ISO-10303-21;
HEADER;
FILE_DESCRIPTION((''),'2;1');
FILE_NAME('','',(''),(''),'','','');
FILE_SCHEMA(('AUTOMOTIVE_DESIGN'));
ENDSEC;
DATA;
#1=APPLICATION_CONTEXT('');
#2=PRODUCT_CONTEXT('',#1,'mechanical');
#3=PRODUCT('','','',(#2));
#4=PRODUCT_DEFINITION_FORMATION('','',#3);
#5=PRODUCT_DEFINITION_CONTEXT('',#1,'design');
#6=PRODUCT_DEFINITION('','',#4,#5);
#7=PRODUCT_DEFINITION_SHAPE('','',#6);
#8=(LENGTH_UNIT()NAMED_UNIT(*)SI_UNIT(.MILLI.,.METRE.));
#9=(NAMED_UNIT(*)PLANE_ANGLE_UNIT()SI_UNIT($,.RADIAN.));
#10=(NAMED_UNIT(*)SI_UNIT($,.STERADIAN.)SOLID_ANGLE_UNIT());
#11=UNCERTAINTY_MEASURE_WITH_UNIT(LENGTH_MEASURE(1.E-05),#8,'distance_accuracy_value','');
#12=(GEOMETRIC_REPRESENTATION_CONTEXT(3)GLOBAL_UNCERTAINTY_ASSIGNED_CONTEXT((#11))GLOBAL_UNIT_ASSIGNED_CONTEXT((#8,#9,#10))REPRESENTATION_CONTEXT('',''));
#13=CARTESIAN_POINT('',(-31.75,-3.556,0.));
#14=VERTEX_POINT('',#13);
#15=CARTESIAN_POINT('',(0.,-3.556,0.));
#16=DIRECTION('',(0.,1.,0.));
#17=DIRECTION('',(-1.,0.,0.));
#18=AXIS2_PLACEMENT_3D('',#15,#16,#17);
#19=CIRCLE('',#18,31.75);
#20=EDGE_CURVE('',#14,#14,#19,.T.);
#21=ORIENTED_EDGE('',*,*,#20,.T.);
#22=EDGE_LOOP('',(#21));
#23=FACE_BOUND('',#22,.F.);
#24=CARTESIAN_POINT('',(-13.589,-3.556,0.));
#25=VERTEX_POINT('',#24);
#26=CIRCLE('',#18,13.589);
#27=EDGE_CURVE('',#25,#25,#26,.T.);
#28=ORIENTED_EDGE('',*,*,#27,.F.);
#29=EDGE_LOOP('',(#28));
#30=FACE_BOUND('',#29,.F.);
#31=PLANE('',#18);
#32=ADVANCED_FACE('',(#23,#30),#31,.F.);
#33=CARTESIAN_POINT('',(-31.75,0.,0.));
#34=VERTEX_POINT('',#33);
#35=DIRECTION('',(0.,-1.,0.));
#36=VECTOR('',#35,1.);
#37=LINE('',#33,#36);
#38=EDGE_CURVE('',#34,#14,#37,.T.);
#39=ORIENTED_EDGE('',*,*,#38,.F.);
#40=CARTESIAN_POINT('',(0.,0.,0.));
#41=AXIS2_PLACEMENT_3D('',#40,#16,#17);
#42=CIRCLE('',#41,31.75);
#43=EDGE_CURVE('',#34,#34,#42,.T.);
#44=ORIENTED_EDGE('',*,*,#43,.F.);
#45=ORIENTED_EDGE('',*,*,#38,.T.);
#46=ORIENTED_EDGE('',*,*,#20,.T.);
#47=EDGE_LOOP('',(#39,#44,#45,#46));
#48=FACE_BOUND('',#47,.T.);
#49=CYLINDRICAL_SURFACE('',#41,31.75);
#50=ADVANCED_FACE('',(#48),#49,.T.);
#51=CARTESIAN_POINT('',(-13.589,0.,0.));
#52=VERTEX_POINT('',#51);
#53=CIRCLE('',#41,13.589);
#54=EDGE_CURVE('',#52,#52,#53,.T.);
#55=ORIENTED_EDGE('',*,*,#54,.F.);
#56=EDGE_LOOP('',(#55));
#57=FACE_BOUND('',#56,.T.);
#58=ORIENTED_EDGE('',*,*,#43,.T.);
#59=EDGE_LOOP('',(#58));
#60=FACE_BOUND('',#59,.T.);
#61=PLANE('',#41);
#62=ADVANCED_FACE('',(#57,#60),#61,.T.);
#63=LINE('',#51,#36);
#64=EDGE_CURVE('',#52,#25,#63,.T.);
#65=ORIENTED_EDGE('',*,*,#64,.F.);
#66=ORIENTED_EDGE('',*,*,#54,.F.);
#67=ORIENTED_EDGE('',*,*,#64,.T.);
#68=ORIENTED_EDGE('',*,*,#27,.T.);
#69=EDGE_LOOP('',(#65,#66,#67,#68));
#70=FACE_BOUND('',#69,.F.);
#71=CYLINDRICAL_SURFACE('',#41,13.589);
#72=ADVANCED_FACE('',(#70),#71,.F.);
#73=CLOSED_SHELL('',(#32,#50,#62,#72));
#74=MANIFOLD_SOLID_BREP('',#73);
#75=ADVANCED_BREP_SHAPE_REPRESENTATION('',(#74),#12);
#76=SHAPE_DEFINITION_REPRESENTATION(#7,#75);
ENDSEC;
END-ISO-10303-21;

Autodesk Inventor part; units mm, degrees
ref_plane "YZ Plane" through (0, 0, 0) normal (1, 0, 0) x (0, 1, 0)
ref_plane "XZ Plane" through (0, 0, 0) normal (0, 1, 0) x (-1, 0, 0)
ref_plane "XY Plane" through (0, 0, 0) normal (0, 0, 1) x (1, 0, 0)
sketch "Sketch1" plane through (0, 0, 0) normal (0, 1, 0) x (-1, 0, 0)
  circle A0 centre (0, 0) radius 13.589
  circle A1 centre (0, 0) radius 31.75
  dimension "insideDiameter" = 27.178
  dimension "outsideDiameter" = 63.5
extrude "Extrusion1" add sketch "Sketch1" against normal blind 3.556
properties part number "washer2_5x1_0" material "Steel"
